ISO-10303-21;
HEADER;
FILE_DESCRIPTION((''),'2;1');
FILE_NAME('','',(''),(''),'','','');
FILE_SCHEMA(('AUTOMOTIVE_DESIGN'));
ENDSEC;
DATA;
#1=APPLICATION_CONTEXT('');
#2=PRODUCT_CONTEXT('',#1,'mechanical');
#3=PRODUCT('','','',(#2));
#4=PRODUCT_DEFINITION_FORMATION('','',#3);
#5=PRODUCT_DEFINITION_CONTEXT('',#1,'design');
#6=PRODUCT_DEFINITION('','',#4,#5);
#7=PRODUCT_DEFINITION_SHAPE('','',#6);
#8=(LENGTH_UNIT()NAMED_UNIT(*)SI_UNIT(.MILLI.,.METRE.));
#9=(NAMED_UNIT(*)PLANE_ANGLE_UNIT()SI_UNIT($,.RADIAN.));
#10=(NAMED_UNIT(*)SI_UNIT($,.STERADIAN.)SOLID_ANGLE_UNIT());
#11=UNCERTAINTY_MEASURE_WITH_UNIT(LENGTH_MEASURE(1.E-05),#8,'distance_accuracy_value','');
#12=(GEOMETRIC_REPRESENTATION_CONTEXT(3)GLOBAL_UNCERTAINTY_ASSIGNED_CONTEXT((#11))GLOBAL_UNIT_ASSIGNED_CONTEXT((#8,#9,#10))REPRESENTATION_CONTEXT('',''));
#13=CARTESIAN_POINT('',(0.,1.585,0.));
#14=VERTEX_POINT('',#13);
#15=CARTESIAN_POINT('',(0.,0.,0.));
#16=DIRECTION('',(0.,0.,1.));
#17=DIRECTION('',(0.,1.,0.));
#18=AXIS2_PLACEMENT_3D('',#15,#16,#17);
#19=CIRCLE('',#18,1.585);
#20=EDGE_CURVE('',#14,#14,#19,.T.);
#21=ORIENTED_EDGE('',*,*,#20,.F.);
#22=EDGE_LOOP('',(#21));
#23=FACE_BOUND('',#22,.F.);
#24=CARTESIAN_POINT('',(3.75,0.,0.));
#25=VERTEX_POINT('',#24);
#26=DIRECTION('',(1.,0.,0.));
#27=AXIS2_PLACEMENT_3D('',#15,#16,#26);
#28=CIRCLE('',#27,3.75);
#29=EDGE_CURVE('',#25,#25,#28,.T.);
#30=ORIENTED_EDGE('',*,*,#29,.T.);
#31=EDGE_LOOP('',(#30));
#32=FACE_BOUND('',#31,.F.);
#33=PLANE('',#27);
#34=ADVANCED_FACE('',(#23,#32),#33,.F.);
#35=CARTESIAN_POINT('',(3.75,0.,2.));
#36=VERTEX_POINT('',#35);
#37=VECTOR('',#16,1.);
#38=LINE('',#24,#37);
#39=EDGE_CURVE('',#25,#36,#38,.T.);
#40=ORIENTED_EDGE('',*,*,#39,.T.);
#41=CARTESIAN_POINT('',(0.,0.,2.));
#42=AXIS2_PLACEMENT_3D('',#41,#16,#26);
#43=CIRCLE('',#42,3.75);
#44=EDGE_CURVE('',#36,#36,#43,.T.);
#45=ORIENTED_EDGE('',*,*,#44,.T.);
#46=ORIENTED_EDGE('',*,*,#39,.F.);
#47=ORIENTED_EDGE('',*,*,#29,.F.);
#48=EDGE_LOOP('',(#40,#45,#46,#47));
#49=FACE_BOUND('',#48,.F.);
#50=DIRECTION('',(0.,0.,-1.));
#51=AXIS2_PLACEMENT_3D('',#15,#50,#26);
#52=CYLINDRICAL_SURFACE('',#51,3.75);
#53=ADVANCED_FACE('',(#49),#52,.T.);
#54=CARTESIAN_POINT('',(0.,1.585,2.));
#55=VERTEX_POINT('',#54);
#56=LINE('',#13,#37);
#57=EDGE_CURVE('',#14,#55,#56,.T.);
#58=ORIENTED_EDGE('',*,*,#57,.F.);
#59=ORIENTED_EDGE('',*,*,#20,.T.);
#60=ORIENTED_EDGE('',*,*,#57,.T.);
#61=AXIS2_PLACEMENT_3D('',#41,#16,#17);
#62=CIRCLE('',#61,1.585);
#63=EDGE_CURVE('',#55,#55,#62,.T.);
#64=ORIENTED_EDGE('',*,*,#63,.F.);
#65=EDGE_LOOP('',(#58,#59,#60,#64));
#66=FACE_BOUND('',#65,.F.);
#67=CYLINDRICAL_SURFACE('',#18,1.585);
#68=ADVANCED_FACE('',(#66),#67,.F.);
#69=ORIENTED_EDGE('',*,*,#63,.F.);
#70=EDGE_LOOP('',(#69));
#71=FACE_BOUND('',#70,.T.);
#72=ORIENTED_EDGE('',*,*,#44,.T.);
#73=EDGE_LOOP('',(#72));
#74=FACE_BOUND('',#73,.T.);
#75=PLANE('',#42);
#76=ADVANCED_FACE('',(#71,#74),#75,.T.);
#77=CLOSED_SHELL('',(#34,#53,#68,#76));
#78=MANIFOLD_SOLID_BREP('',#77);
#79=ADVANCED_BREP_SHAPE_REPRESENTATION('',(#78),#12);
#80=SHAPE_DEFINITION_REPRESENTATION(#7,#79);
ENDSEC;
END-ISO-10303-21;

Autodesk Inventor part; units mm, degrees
ref_plane "YZ Plane" through (0, 0, 0) normal (1, 0, 0) x (0, 1, 0)
ref_plane "XZ Plane" through (0, 0, 0) normal (0, 1, 0) x (-1, 0, 0)
ref_plane "XY Plane" through (0, 0, 0) normal (0, 0, 1) x (1, 0, 0)
sketch "スケッチ1" plane through (0, 0, 0) normal (0, 0, 1) x (1, 0, 0)
  circle A0 centre (0, 0) radius 3.75
  dimension "d0" = 7.5
extrude "押し出し1" add sketch "スケッチ1" along normal blind 2
sketch "スケッチ2" plane through (0, 0, 0) normal (0, 0, -1) x (-1, 0, 0)
  point P0 (0, 0)
  point P1 (0, 0)
hole "穴1" at (0, 0, 0) direction (0, 0, 1) diameter 3.17 end through all
properties part number "555_CapAccessory_center" material "真鍮、ソフト イエロー"
